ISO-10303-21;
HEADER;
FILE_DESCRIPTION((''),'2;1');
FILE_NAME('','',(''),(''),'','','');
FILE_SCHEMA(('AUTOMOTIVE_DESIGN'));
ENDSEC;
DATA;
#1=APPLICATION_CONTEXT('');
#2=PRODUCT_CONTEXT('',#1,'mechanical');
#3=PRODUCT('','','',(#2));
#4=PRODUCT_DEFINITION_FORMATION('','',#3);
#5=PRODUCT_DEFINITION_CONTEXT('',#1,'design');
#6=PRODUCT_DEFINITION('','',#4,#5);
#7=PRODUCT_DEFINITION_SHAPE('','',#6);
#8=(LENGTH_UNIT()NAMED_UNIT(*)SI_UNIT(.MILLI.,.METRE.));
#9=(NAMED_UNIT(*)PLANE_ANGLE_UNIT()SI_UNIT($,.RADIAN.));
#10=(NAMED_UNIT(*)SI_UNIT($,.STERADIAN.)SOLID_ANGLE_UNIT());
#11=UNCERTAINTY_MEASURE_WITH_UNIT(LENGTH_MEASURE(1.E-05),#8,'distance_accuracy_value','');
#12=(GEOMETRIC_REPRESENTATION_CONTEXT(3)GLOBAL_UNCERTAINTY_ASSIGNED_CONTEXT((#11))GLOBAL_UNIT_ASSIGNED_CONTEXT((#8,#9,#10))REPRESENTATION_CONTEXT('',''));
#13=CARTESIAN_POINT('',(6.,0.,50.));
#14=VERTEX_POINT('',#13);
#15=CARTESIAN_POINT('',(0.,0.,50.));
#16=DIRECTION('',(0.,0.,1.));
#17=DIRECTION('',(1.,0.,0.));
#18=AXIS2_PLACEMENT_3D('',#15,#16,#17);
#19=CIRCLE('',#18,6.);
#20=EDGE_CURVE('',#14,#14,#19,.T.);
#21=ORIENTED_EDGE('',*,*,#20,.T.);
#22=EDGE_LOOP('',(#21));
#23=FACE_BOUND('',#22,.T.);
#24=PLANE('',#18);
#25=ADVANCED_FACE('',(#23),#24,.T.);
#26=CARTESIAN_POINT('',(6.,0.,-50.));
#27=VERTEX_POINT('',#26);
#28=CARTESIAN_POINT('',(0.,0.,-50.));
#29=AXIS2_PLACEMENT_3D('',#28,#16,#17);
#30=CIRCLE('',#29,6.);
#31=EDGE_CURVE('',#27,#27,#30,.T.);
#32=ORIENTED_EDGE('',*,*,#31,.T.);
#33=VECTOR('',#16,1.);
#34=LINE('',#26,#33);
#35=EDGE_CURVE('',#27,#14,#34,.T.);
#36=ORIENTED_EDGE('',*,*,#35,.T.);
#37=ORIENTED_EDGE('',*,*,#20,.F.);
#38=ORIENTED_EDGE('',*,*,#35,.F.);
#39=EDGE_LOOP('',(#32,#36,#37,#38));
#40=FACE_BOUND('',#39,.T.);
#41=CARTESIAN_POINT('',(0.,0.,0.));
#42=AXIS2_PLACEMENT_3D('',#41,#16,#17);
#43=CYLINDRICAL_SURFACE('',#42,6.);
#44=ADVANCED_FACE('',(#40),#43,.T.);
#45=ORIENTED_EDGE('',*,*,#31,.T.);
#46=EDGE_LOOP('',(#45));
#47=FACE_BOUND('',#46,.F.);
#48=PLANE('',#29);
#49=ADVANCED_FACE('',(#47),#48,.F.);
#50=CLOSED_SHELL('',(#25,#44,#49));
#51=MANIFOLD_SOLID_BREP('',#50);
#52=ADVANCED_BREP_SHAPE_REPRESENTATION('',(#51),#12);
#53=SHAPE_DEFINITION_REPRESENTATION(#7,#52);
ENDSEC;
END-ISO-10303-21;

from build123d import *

# Parameters (mm, degrees)
SKETCH1_R           = 6
BOSS_EXTRUDE1_DEPTH = 50


with BuildPart() as part:
    # Sketch1 → Boss-Extrude1 (new body, symmetric)
    with BuildSketch(Plane.XY):
        Circle(SKETCH1_R)
    extrude(amount=BOSS_EXTRUDE1_DEPTH, both=True)


solid = part.part
